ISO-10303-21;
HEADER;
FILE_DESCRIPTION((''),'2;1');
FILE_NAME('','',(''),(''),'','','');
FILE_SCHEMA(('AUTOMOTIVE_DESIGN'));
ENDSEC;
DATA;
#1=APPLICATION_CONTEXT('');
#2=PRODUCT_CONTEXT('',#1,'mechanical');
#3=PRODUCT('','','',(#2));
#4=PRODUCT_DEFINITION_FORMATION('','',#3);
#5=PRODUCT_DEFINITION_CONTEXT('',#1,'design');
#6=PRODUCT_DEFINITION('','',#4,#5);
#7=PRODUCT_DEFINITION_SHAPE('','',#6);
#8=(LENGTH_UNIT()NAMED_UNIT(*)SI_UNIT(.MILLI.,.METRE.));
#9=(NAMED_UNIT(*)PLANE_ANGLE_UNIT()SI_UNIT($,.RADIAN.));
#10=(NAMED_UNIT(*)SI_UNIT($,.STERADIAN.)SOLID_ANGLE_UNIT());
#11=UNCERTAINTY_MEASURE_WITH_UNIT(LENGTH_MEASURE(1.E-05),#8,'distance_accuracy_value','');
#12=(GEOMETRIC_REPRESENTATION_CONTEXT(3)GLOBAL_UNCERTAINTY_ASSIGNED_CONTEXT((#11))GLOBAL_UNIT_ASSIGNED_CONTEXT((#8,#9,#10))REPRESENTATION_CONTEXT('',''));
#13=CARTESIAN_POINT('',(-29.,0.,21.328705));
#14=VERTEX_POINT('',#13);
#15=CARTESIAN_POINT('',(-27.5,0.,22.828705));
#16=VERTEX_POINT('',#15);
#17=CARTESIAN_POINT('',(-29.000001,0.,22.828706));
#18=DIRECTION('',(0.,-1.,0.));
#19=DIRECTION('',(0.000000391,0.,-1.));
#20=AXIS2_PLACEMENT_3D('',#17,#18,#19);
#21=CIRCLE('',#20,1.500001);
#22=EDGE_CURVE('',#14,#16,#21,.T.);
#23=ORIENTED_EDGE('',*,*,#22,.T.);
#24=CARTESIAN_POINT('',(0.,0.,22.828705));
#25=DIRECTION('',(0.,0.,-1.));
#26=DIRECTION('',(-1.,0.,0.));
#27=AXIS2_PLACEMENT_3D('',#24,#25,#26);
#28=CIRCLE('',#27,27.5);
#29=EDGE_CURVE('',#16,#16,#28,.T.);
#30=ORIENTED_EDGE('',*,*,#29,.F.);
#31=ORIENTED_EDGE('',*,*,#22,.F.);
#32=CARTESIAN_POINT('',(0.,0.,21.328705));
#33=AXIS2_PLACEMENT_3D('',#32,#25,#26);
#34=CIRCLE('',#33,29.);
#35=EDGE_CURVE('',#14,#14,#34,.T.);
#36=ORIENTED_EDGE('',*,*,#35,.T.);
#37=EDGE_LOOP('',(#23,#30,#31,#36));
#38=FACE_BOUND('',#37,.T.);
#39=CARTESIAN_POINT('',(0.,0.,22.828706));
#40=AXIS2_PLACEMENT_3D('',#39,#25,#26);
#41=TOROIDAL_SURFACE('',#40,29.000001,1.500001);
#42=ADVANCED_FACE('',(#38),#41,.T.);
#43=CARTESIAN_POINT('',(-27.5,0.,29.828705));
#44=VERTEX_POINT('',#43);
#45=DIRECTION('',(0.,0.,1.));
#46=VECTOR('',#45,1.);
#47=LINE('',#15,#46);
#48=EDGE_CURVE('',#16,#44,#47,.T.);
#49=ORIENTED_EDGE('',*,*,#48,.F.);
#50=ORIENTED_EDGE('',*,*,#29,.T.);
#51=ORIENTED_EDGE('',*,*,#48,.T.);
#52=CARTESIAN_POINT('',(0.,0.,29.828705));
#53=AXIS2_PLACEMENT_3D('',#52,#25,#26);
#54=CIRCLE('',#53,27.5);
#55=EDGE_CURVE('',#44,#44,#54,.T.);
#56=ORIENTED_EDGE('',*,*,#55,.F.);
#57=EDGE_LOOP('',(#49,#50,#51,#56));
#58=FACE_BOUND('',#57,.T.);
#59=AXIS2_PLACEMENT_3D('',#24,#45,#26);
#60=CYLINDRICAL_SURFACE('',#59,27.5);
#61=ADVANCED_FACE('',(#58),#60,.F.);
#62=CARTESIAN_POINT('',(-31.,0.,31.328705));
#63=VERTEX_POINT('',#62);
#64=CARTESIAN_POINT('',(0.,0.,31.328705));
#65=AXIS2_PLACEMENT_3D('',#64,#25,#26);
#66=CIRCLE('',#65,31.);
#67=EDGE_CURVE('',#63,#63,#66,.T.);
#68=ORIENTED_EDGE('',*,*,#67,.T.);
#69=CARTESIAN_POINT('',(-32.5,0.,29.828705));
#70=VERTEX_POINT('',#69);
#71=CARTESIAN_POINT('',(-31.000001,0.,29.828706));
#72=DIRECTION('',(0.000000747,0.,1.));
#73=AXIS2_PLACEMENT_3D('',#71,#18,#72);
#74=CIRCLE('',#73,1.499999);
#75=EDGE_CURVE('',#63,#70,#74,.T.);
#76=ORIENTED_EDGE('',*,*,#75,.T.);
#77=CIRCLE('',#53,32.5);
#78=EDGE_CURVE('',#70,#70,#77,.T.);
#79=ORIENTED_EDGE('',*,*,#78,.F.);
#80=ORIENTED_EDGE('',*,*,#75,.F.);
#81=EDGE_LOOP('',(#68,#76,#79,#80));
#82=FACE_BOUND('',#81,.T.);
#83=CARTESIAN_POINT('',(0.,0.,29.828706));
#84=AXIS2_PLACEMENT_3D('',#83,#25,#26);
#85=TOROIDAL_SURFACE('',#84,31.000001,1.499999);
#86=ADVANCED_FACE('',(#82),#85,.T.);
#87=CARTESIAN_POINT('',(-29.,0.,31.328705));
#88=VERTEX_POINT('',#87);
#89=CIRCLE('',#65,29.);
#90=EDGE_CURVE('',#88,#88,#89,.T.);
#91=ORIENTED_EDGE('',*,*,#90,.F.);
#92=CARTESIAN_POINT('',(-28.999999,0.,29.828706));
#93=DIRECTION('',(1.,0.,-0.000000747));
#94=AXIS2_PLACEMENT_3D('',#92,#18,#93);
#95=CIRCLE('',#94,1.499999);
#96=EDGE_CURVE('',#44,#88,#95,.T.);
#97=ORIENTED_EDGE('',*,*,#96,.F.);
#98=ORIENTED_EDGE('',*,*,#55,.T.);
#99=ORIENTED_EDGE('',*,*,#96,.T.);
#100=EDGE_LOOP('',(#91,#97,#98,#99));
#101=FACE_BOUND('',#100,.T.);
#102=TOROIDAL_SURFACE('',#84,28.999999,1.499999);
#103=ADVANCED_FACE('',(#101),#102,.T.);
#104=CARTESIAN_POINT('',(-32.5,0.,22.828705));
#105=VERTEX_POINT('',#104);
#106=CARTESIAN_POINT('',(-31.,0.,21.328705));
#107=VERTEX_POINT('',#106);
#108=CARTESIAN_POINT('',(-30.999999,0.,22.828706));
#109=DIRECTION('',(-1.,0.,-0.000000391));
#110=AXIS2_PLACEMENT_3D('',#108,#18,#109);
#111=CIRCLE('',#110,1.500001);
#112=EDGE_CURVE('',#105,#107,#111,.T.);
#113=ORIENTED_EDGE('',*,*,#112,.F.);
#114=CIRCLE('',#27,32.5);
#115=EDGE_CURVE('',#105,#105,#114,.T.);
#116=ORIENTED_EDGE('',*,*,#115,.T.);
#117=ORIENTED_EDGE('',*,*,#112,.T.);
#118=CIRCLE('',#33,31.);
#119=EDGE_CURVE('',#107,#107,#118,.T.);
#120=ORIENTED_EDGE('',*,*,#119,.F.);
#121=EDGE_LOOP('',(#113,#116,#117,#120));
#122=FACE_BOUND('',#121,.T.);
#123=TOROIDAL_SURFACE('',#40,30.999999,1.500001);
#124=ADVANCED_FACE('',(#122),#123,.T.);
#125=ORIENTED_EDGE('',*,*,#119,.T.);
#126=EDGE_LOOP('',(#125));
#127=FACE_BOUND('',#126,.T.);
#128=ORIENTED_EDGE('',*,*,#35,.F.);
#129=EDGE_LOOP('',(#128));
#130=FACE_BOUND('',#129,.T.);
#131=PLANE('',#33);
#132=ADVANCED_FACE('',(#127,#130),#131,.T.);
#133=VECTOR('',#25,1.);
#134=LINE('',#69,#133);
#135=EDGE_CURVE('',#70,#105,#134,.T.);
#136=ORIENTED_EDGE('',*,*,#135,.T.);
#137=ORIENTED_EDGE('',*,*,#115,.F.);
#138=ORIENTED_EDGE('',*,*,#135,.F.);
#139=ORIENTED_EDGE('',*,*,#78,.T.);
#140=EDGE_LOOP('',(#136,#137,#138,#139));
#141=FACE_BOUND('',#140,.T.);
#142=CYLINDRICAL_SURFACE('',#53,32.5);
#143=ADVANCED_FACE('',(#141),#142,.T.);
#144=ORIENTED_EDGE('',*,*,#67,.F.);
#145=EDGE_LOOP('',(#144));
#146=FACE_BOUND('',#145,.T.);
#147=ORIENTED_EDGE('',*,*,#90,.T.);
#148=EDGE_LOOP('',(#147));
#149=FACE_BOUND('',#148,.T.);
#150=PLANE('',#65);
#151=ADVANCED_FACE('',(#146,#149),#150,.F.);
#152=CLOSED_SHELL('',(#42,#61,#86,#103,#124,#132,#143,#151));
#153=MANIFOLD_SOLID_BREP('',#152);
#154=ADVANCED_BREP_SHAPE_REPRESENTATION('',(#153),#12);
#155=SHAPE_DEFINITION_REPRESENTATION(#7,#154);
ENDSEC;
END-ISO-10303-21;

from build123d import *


with BuildPart() as f1:
    # F0 (on Front) → F1 (revolve)
    with BuildSketch(Plane.XZ):
        with BuildLine():
            Line((-29, 31.328705), (-31, 31.328705))
            ThreePointArc((-31, 31.328705), (-32.06066, 30.889366), (-32.5, 29.828705))
            Line((-32.5, 29.828705), (-32.5, 22.828705))
            ThreePointArc((-32.5, 22.828705), (-32.06066, 21.768045), (-31, 21.328705))
            Line((-31, 21.328705), (-29, 21.328705))
            ThreePointArc((-29, 21.328705), (-27.93934, 21.768045), (-27.5, 22.828705))
            Line((-27.5, 22.828705), (-27.5, 29.828705))
            ThreePointArc((-27.5, 29.828705), (-27.93934, 30.889366), (-29, 31.328705))
        make_face()
    revolve(axis=Axis((0, 0, 21.229779), (0, 0, -1)))


solid = f1.part
